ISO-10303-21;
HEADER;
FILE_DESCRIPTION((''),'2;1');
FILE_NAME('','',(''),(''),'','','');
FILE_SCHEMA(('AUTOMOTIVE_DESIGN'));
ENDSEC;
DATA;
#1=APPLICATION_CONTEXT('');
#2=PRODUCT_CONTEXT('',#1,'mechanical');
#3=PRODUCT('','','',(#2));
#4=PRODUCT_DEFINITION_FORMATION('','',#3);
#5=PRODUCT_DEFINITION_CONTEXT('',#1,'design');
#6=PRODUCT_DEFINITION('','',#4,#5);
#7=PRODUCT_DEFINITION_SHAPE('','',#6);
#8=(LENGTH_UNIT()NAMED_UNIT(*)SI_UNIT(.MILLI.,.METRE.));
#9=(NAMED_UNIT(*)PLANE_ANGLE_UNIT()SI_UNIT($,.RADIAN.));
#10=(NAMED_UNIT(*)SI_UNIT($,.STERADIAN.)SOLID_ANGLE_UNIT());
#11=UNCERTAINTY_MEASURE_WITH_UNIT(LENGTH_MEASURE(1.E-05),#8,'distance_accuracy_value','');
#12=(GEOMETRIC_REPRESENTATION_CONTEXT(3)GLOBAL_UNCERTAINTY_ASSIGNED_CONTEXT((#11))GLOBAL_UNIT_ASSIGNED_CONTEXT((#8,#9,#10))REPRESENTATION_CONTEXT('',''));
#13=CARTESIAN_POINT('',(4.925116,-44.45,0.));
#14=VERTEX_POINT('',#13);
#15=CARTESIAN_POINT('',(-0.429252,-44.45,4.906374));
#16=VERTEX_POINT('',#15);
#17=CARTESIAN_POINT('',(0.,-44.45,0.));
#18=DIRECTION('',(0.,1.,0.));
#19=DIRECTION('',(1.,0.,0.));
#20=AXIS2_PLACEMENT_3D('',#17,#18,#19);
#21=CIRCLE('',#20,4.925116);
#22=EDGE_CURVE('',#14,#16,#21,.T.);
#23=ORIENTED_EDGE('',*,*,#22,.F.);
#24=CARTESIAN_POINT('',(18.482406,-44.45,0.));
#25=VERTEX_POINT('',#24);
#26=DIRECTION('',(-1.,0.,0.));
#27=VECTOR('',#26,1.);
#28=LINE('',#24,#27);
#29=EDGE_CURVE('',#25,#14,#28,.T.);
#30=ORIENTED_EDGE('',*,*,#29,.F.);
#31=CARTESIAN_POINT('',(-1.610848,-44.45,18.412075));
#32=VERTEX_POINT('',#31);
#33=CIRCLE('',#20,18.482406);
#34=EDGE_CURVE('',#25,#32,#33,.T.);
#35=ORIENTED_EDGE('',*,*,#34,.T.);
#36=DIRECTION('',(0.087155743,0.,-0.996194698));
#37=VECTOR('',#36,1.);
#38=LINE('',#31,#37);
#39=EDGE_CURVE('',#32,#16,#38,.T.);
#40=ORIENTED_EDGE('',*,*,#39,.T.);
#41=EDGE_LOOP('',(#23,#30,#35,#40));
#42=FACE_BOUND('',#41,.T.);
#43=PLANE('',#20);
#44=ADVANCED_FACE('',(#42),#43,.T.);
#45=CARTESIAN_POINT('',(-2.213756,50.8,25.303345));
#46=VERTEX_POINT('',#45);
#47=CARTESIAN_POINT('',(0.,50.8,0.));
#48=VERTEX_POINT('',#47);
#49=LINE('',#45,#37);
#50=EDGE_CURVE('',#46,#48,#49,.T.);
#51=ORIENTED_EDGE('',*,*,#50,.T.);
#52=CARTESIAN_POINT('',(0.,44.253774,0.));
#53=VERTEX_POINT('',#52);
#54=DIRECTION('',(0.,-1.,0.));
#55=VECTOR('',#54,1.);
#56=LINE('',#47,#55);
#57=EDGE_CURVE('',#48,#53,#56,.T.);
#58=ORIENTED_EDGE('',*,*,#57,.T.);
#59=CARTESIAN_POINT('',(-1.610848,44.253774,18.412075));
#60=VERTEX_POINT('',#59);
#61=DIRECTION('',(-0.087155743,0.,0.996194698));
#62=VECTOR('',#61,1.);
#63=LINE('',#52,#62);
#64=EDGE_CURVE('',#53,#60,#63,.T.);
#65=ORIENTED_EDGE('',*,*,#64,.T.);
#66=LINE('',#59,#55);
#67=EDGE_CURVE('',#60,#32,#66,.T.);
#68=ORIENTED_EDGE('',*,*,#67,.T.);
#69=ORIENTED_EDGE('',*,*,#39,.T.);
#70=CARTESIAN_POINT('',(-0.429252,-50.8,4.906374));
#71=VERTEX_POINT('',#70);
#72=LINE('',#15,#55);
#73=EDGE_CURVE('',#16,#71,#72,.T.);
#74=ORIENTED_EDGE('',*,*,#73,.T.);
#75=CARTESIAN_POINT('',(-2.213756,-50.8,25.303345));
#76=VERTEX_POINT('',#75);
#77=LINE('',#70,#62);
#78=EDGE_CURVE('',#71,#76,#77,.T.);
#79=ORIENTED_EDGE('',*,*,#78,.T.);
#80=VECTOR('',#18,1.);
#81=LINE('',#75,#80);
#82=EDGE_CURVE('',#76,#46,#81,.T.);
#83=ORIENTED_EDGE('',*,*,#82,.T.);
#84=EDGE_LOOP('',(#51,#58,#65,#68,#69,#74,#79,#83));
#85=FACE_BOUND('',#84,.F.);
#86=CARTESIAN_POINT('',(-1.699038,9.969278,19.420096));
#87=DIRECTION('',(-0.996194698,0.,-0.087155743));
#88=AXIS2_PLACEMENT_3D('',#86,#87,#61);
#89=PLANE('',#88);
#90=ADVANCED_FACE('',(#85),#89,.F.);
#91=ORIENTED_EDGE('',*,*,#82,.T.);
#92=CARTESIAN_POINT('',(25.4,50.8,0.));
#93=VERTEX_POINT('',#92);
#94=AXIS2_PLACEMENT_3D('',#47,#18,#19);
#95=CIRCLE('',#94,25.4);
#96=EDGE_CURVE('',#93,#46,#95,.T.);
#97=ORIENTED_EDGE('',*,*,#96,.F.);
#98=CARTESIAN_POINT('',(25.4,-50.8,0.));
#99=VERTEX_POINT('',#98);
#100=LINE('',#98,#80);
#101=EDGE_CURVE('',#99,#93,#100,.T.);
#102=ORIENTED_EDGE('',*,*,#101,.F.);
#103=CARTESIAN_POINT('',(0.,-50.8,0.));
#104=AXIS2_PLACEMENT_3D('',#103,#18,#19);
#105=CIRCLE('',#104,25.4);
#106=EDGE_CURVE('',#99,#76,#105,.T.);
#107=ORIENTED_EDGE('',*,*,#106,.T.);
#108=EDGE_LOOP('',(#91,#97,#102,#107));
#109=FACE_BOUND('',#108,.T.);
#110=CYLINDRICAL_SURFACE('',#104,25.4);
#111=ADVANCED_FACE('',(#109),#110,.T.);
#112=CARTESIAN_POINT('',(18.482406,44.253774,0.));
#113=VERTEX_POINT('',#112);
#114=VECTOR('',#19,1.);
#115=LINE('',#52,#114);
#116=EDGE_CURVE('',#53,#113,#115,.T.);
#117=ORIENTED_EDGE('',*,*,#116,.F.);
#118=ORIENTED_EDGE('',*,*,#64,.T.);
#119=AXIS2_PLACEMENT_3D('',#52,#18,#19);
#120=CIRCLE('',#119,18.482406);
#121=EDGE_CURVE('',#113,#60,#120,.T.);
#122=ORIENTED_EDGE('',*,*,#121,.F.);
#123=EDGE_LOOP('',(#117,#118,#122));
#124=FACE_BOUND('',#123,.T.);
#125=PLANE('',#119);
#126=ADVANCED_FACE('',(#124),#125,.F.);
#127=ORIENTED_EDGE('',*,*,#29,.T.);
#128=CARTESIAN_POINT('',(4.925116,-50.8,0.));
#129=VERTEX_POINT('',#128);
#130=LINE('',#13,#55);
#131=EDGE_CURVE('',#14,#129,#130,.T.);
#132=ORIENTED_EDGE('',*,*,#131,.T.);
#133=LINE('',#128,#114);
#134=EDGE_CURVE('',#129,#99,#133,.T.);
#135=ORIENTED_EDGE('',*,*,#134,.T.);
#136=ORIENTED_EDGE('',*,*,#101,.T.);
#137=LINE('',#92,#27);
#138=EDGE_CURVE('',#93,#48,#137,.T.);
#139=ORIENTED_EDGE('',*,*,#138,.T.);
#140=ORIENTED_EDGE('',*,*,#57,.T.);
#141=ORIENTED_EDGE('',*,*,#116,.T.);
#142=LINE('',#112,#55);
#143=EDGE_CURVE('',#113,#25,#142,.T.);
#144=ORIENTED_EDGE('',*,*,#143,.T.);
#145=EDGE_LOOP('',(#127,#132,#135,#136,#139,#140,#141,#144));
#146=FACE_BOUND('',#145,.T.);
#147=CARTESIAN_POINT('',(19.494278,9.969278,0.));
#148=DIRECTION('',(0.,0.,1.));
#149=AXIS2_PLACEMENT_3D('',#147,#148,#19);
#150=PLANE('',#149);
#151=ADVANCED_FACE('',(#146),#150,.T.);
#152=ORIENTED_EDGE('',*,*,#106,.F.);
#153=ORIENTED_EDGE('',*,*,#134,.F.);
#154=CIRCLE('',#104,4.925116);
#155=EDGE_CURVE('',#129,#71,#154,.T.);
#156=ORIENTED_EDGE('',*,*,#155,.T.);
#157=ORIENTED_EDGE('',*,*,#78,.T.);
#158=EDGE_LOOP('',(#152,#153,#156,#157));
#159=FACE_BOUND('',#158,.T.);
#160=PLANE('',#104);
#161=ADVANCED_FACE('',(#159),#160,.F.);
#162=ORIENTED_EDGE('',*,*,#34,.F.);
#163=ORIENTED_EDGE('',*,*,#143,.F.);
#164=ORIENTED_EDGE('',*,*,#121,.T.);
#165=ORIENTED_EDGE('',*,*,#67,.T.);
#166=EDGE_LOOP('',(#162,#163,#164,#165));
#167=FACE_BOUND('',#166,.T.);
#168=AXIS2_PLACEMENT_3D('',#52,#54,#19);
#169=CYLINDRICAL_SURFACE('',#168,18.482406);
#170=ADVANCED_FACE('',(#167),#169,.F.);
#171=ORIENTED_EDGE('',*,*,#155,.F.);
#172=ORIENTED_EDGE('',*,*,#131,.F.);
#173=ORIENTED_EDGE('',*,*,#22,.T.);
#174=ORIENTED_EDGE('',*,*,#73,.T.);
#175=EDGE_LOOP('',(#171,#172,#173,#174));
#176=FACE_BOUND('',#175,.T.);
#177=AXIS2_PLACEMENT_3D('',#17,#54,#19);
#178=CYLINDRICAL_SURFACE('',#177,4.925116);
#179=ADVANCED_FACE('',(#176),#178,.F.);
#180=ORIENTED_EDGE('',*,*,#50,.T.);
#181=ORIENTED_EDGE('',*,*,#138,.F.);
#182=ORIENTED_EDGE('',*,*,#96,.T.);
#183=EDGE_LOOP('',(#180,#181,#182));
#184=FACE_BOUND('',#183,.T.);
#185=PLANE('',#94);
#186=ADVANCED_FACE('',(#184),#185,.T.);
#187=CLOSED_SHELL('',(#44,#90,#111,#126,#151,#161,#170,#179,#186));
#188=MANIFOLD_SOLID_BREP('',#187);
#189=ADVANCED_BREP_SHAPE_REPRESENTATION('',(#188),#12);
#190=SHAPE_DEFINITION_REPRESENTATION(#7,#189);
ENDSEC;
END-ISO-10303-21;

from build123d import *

# Parameters (mm, degrees)
F1_ANGLE = 265


with BuildPart() as f1:
    # F0 (on Top) → F1 (revolve)
    with BuildSketch(Plane.XY):
        Polygon((25.4, 50.8), (0, 50.8), (0, 44.253774), (18.482406, 44.253774), (18.482406, -44.45), (25.4, -44.45), align=None)
        Polygon((25.4, -50.8), (25.4, -44.45), (18.482406, -44.45), (4.925116, -44.45), (4.925116, -50.8), align=None)
    revolve(axis=Axis((0, 25.4, 0), (0, 1, 0)), revolution_arc=F1_ANGLE)


solid = f1.part
